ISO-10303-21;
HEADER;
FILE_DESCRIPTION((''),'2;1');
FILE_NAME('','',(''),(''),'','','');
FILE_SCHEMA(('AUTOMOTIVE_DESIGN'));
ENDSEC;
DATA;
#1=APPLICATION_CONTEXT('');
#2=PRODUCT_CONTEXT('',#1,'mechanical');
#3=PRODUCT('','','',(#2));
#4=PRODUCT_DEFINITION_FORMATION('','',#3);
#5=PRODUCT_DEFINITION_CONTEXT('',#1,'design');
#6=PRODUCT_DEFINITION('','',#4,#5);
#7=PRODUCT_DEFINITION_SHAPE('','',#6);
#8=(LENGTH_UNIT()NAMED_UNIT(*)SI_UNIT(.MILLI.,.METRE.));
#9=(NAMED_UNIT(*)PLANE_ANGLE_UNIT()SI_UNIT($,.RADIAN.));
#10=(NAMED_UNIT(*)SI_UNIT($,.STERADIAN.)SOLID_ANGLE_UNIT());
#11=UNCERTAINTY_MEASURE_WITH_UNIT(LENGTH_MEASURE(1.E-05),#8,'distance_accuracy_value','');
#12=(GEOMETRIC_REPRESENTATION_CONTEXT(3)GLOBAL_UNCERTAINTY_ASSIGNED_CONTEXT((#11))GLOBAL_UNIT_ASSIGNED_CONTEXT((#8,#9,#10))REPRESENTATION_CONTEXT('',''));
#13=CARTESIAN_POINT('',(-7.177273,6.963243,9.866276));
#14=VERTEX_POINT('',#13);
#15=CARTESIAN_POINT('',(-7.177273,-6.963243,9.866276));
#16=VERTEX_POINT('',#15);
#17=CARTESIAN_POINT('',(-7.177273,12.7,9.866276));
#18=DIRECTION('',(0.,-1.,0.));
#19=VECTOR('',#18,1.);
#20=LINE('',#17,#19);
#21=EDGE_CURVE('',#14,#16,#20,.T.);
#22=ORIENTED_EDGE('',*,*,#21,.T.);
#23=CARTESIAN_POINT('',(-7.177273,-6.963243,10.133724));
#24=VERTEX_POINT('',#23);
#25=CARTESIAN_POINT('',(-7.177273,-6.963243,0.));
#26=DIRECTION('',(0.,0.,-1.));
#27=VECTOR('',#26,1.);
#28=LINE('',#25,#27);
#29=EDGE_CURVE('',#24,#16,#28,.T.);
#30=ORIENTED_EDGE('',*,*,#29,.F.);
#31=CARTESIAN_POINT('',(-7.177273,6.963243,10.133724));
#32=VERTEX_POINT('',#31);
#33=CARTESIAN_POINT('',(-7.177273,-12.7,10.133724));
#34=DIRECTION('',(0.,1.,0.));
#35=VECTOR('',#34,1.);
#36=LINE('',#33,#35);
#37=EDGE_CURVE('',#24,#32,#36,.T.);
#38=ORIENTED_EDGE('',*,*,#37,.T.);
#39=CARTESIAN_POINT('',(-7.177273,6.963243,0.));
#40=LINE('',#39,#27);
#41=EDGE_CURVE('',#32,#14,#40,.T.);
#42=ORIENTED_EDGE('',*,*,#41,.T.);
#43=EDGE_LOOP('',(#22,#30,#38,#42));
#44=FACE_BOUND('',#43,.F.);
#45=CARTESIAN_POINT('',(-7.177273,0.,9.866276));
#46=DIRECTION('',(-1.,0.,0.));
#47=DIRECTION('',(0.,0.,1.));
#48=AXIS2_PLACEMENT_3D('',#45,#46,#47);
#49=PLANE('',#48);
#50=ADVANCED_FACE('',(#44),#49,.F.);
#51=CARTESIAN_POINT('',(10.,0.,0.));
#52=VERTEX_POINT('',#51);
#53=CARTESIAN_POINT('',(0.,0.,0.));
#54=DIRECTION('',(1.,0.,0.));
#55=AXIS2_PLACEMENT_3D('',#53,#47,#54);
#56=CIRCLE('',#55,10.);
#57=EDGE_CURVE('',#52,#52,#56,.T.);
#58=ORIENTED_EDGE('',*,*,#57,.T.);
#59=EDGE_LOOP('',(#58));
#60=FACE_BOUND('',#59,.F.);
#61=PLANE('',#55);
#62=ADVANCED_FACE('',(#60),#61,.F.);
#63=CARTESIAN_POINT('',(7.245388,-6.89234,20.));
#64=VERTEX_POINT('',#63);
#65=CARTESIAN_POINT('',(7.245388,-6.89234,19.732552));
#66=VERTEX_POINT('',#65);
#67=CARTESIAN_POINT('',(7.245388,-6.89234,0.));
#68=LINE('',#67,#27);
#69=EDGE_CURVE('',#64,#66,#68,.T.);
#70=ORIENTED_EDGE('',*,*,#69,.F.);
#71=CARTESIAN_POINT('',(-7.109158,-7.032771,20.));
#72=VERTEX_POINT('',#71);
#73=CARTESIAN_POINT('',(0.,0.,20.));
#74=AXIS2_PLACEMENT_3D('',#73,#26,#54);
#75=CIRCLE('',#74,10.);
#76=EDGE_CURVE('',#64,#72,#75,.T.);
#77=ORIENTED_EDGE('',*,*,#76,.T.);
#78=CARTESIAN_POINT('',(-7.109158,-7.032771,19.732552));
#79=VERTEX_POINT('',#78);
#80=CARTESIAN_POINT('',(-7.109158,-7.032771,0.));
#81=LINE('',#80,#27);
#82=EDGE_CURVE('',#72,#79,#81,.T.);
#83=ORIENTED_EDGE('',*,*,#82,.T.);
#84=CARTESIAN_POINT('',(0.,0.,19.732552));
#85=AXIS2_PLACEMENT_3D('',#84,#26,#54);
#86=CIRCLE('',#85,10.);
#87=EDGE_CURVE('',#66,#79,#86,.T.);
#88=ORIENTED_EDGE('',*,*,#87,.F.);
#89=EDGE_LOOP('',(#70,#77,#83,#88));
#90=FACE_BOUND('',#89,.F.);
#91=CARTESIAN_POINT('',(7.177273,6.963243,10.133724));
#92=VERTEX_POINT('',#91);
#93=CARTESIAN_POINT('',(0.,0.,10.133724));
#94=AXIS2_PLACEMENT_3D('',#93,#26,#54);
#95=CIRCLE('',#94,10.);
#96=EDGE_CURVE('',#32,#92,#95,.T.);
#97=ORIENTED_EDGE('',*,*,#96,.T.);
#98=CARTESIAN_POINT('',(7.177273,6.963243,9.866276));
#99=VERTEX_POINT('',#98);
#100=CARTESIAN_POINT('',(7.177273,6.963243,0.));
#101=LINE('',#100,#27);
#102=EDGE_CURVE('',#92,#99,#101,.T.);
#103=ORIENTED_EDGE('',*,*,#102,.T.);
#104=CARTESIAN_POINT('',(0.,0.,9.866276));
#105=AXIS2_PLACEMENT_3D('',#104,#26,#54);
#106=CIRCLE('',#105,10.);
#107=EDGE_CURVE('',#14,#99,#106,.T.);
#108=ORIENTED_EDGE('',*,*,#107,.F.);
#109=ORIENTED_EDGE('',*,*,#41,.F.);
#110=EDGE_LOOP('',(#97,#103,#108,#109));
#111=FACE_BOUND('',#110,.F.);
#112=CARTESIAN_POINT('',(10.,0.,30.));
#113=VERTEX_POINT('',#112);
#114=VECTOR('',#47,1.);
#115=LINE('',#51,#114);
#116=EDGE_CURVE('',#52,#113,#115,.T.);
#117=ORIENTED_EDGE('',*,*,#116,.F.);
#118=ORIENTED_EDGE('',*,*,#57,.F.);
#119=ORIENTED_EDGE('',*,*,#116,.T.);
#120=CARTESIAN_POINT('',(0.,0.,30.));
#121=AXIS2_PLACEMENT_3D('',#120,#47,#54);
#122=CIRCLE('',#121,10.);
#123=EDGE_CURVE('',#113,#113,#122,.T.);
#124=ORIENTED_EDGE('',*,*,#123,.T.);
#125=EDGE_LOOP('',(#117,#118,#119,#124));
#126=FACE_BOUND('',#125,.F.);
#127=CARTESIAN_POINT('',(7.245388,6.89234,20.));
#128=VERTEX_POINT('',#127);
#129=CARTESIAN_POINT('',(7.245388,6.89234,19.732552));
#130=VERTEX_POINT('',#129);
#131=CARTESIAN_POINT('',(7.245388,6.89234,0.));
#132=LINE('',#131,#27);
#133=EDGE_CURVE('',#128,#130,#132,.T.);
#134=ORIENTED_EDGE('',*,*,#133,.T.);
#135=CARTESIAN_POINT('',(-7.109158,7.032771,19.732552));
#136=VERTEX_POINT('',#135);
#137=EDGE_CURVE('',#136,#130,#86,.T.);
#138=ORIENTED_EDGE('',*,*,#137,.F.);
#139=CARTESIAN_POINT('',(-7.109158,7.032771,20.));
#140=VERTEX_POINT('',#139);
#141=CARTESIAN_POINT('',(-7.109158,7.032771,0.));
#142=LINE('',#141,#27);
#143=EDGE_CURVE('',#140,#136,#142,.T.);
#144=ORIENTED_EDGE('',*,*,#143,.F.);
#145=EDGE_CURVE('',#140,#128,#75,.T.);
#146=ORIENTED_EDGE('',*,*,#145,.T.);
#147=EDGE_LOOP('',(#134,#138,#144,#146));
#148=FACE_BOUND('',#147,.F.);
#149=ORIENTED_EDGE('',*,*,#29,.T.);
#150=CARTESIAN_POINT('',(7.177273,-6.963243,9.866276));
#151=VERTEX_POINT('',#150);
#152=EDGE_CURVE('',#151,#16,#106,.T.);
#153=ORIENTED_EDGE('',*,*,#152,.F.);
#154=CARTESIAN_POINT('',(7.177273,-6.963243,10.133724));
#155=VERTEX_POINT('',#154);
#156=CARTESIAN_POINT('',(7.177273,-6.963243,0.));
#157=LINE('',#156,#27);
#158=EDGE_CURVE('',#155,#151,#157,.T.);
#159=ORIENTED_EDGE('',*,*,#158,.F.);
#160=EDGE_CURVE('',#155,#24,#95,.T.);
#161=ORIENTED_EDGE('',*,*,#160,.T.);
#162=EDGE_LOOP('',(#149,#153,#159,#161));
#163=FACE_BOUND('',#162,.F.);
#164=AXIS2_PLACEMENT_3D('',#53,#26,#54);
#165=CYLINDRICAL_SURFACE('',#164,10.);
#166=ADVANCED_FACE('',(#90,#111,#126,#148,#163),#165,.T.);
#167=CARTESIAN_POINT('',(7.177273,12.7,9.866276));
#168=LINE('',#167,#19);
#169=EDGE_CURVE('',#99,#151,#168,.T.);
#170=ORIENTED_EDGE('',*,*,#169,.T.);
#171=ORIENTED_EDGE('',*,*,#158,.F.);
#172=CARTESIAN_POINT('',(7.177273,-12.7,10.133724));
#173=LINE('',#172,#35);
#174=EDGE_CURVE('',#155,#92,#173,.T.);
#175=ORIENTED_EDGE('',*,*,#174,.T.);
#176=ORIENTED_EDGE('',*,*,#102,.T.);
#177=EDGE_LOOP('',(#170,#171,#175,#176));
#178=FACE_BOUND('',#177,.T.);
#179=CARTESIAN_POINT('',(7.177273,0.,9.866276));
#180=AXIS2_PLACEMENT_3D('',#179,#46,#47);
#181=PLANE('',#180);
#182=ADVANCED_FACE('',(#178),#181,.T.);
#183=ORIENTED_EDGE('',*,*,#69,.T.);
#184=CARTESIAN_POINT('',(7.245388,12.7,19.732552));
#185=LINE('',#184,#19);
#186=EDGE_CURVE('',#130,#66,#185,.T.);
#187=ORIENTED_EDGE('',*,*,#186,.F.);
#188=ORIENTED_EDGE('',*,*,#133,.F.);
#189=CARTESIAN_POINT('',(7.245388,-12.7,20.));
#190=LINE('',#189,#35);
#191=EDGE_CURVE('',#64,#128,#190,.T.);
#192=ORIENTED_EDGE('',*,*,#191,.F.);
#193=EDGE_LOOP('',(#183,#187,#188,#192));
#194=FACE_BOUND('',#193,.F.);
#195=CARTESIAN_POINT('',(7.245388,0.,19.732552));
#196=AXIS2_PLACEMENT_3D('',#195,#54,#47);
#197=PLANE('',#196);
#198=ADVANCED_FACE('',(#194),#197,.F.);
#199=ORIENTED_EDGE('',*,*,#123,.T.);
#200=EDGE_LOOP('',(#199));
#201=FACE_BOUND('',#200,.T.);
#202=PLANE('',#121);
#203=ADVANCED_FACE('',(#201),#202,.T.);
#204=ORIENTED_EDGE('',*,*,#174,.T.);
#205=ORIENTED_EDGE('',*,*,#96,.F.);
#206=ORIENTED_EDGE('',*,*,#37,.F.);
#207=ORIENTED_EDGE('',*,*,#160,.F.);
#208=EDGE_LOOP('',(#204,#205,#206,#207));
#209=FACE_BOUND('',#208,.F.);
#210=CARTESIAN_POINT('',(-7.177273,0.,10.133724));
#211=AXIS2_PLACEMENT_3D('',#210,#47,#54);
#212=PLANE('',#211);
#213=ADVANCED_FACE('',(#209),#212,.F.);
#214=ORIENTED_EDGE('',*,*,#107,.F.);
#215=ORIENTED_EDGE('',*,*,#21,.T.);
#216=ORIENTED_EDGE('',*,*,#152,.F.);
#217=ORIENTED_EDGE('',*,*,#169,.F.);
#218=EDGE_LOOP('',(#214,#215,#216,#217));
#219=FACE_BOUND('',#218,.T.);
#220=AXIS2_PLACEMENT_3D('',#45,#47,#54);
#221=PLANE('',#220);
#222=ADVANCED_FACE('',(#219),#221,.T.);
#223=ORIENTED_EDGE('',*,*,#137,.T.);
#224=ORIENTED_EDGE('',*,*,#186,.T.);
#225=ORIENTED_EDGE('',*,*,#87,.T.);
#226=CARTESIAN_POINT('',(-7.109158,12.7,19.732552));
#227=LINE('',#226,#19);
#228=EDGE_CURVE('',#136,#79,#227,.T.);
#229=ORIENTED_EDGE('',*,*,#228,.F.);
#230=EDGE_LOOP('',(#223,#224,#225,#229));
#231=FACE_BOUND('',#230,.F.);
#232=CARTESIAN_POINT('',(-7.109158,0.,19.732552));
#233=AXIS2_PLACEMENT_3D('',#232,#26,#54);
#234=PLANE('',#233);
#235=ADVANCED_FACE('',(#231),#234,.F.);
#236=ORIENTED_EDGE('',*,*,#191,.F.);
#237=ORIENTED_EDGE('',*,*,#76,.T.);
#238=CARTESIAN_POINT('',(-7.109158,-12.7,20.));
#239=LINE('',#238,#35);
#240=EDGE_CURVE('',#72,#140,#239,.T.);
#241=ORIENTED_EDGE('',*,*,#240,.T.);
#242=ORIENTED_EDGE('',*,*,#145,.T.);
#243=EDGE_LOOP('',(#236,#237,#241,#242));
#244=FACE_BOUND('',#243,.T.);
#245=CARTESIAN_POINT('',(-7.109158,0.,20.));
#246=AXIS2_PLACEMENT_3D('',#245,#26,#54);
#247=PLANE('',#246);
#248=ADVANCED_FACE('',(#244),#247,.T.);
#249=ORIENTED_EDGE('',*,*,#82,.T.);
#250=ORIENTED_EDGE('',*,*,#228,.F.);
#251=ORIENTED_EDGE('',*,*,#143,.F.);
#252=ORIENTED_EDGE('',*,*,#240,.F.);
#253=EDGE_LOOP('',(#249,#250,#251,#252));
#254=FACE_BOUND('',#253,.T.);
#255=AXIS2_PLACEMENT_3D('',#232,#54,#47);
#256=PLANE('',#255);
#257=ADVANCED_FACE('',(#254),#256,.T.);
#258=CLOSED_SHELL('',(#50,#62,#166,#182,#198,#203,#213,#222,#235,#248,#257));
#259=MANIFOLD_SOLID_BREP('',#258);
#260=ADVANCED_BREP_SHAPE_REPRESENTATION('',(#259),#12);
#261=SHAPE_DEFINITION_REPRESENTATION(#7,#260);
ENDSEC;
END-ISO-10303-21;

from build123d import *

# Parameters (mm, degrees)
F0_R     = 10
F1_DEPTH = 30
F2_W     = 14.354546
F2_H     = 0.267448
F3_DEPTH = 12.7


with BuildPart() as f1:
    # F0 (on Top) → F1 (new body)
    with BuildSketch(Plane.XY):
        Circle(F0_R)
    extrude(amount=F1_DEPTH)

    # F2 (on Front) → F3 (cut, symmetric)
    with BuildSketch(Plane.XZ):
        with Locations((0, 10)):
            Rectangle(F2_W, F2_H)
        with Locations((0.068115, 19.866276)):
            Rectangle(F2_W, F2_H)
    extrude(amount=F3_DEPTH, both=True, mode=Mode.SUBTRACT)


solid = f1.part
